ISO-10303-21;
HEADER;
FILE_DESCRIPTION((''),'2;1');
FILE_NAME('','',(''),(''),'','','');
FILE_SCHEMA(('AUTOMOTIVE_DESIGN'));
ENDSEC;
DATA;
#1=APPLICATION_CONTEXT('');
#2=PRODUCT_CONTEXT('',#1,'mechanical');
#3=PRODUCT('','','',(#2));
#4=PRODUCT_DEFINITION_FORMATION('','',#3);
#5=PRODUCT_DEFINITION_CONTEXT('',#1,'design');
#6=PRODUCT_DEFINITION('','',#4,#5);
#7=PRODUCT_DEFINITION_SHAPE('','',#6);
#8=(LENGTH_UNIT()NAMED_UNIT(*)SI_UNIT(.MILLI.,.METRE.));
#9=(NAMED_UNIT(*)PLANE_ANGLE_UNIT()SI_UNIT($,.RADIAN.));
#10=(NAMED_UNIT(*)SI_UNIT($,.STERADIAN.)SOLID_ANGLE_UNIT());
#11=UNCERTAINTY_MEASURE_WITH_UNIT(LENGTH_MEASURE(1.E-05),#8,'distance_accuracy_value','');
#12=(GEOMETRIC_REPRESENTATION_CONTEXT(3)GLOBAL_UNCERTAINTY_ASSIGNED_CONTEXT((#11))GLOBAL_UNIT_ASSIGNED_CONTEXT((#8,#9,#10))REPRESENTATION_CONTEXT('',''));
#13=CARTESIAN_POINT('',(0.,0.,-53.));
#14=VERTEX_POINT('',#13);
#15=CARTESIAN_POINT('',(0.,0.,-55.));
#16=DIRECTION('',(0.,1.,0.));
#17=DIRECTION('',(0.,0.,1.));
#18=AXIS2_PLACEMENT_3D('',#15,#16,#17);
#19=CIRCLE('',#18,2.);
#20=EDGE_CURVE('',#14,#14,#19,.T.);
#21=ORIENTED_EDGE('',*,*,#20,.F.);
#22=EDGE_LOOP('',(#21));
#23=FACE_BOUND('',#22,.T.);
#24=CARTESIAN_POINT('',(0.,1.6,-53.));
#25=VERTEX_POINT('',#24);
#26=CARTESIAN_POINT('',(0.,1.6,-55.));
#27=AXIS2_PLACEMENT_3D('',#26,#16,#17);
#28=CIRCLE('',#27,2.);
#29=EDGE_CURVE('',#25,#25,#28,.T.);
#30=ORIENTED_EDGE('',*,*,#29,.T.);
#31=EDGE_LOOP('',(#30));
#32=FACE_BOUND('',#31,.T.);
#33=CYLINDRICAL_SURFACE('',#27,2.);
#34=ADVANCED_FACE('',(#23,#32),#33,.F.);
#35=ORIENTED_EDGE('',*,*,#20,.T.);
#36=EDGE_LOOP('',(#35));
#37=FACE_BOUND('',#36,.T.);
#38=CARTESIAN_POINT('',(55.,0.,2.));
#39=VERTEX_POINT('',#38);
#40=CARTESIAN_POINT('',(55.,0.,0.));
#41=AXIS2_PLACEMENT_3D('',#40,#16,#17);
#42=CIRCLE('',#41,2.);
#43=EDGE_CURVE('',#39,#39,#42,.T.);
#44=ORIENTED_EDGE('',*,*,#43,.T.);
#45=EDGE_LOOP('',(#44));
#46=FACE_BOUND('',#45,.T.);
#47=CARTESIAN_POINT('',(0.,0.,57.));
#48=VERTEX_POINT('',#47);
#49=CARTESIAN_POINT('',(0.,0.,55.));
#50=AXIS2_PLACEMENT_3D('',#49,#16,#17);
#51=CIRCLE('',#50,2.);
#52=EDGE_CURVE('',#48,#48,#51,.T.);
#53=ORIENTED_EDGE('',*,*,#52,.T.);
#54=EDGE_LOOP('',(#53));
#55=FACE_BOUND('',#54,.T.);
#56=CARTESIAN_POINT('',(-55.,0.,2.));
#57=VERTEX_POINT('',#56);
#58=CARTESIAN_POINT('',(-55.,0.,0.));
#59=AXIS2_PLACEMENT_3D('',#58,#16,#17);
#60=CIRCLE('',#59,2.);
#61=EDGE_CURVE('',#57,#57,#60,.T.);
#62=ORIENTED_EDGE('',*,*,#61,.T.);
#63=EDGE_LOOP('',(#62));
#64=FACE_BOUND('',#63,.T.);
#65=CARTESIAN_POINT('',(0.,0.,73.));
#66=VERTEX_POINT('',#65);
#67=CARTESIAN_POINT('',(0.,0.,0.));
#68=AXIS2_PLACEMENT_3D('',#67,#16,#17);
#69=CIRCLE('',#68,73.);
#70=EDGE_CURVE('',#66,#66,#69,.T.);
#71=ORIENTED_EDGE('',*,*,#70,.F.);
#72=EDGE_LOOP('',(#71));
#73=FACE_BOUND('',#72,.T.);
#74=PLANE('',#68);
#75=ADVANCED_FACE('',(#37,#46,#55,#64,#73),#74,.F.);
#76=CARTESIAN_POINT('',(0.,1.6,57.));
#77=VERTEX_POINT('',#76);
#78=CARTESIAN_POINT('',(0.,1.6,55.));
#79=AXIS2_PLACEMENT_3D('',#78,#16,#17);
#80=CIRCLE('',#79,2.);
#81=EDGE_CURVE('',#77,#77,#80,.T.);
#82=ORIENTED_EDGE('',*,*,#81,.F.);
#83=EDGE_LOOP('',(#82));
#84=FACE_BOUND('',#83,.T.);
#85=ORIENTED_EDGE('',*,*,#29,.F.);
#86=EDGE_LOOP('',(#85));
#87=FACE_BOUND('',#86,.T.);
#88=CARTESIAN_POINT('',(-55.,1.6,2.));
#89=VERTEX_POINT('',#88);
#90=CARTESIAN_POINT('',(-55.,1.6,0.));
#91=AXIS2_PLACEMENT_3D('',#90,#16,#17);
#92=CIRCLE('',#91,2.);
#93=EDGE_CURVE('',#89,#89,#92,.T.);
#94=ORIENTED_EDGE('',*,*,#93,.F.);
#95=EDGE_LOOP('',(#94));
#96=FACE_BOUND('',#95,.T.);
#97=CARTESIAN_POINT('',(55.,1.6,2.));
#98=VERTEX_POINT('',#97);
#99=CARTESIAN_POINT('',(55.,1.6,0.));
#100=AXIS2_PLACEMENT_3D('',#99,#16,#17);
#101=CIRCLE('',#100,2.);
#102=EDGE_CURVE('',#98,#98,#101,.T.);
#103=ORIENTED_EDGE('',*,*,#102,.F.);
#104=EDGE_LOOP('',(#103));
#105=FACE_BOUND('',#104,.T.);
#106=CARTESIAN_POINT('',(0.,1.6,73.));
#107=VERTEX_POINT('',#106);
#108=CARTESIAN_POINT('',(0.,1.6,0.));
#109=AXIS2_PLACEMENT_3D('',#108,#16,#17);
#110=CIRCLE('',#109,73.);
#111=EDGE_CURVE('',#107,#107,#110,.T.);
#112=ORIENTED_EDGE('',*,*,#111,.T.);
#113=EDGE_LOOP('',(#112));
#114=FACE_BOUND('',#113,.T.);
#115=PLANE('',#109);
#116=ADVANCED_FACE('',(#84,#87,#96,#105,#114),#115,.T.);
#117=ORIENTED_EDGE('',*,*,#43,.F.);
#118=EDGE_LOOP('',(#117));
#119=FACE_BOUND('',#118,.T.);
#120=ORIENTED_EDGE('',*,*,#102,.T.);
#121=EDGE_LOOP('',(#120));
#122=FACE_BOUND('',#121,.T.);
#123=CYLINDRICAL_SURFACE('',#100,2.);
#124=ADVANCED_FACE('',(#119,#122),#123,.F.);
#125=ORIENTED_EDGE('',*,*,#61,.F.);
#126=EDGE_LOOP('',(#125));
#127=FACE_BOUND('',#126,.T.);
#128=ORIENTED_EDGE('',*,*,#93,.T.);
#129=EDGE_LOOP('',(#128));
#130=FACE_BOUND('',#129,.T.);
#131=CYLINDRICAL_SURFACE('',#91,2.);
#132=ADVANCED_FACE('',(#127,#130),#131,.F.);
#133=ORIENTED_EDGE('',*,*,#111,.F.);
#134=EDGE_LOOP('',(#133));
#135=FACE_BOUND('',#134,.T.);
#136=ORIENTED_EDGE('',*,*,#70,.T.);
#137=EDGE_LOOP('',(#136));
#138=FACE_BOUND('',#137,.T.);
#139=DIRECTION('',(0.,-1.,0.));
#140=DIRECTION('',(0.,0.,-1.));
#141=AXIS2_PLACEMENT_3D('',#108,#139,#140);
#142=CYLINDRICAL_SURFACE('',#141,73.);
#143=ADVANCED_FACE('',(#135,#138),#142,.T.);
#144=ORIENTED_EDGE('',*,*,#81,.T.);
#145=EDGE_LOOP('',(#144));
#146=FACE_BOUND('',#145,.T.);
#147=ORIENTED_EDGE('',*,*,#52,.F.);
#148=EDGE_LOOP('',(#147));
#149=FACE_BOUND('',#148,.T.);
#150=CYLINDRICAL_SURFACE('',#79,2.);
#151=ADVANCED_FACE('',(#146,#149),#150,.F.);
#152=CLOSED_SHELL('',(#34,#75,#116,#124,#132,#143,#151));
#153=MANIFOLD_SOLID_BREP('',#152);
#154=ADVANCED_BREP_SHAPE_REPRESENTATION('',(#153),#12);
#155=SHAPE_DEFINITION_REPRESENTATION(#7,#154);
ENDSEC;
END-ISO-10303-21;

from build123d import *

# Parameters (mm, degrees)
BOSS_EXTRUDE1_DEPTH   = 1.6
F_4_0MM_DOWEL_HOLE1_D = 4


with BuildPart() as part:
    # Sketch1 → Boss-Extrude1 (new body)
    with BuildSketch(Plane(origin=(0, 0, 0), x_dir=(1, 0, 0), z_dir=(0, 1, 0))):
        with BuildLine():
            ThreePointArc((-65, 33.226495452), (-73, 0), (-65, -33.226495452))
            ThreePointArc((-65, -33.226495452), (-51.618795027, -51.618795027), (-33.226495452, -65))
            ThreePointArc((-33.226495452, -65), (0, -73), (33.226495452, -65))
            ThreePointArc((33.226495452, -65), (51.618795027, -51.618795027), (65, -33.226495452))
            ThreePointArc((65, -33.226495452), (70.971825396, -17.088007491), (73, 0))
            ThreePointArc((73, 0), (70.971825396, 17.088007491), (65, 33.226495452))
            ThreePointArc((65, 33.226495452), (51.618795027, 51.618795027), (33.226495452, 65))
            ThreePointArc((33.226495452, 65), (0, 73), (-33.226495452, 65))
            ThreePointArc((-33.226495452, 65), (-51.618795027, 51.618795027), (-65, 33.226495452))
        make_face()
    extrude(amount=BOSS_EXTRUDE1_DEPTH)

    # Ø4.0mm Dowel Hole1 (through all)
    with Locations(Plane(origin=(0, 1.6, 0), x_dir=(1, 0, 0), z_dir=(0, 1, 0))):
        with Locations((0, 55), (55, 0), (-55, 0), (0, -55)):
            Hole(F_4_0MM_DOWEL_HOLE1_D / 2)


solid = part.part
